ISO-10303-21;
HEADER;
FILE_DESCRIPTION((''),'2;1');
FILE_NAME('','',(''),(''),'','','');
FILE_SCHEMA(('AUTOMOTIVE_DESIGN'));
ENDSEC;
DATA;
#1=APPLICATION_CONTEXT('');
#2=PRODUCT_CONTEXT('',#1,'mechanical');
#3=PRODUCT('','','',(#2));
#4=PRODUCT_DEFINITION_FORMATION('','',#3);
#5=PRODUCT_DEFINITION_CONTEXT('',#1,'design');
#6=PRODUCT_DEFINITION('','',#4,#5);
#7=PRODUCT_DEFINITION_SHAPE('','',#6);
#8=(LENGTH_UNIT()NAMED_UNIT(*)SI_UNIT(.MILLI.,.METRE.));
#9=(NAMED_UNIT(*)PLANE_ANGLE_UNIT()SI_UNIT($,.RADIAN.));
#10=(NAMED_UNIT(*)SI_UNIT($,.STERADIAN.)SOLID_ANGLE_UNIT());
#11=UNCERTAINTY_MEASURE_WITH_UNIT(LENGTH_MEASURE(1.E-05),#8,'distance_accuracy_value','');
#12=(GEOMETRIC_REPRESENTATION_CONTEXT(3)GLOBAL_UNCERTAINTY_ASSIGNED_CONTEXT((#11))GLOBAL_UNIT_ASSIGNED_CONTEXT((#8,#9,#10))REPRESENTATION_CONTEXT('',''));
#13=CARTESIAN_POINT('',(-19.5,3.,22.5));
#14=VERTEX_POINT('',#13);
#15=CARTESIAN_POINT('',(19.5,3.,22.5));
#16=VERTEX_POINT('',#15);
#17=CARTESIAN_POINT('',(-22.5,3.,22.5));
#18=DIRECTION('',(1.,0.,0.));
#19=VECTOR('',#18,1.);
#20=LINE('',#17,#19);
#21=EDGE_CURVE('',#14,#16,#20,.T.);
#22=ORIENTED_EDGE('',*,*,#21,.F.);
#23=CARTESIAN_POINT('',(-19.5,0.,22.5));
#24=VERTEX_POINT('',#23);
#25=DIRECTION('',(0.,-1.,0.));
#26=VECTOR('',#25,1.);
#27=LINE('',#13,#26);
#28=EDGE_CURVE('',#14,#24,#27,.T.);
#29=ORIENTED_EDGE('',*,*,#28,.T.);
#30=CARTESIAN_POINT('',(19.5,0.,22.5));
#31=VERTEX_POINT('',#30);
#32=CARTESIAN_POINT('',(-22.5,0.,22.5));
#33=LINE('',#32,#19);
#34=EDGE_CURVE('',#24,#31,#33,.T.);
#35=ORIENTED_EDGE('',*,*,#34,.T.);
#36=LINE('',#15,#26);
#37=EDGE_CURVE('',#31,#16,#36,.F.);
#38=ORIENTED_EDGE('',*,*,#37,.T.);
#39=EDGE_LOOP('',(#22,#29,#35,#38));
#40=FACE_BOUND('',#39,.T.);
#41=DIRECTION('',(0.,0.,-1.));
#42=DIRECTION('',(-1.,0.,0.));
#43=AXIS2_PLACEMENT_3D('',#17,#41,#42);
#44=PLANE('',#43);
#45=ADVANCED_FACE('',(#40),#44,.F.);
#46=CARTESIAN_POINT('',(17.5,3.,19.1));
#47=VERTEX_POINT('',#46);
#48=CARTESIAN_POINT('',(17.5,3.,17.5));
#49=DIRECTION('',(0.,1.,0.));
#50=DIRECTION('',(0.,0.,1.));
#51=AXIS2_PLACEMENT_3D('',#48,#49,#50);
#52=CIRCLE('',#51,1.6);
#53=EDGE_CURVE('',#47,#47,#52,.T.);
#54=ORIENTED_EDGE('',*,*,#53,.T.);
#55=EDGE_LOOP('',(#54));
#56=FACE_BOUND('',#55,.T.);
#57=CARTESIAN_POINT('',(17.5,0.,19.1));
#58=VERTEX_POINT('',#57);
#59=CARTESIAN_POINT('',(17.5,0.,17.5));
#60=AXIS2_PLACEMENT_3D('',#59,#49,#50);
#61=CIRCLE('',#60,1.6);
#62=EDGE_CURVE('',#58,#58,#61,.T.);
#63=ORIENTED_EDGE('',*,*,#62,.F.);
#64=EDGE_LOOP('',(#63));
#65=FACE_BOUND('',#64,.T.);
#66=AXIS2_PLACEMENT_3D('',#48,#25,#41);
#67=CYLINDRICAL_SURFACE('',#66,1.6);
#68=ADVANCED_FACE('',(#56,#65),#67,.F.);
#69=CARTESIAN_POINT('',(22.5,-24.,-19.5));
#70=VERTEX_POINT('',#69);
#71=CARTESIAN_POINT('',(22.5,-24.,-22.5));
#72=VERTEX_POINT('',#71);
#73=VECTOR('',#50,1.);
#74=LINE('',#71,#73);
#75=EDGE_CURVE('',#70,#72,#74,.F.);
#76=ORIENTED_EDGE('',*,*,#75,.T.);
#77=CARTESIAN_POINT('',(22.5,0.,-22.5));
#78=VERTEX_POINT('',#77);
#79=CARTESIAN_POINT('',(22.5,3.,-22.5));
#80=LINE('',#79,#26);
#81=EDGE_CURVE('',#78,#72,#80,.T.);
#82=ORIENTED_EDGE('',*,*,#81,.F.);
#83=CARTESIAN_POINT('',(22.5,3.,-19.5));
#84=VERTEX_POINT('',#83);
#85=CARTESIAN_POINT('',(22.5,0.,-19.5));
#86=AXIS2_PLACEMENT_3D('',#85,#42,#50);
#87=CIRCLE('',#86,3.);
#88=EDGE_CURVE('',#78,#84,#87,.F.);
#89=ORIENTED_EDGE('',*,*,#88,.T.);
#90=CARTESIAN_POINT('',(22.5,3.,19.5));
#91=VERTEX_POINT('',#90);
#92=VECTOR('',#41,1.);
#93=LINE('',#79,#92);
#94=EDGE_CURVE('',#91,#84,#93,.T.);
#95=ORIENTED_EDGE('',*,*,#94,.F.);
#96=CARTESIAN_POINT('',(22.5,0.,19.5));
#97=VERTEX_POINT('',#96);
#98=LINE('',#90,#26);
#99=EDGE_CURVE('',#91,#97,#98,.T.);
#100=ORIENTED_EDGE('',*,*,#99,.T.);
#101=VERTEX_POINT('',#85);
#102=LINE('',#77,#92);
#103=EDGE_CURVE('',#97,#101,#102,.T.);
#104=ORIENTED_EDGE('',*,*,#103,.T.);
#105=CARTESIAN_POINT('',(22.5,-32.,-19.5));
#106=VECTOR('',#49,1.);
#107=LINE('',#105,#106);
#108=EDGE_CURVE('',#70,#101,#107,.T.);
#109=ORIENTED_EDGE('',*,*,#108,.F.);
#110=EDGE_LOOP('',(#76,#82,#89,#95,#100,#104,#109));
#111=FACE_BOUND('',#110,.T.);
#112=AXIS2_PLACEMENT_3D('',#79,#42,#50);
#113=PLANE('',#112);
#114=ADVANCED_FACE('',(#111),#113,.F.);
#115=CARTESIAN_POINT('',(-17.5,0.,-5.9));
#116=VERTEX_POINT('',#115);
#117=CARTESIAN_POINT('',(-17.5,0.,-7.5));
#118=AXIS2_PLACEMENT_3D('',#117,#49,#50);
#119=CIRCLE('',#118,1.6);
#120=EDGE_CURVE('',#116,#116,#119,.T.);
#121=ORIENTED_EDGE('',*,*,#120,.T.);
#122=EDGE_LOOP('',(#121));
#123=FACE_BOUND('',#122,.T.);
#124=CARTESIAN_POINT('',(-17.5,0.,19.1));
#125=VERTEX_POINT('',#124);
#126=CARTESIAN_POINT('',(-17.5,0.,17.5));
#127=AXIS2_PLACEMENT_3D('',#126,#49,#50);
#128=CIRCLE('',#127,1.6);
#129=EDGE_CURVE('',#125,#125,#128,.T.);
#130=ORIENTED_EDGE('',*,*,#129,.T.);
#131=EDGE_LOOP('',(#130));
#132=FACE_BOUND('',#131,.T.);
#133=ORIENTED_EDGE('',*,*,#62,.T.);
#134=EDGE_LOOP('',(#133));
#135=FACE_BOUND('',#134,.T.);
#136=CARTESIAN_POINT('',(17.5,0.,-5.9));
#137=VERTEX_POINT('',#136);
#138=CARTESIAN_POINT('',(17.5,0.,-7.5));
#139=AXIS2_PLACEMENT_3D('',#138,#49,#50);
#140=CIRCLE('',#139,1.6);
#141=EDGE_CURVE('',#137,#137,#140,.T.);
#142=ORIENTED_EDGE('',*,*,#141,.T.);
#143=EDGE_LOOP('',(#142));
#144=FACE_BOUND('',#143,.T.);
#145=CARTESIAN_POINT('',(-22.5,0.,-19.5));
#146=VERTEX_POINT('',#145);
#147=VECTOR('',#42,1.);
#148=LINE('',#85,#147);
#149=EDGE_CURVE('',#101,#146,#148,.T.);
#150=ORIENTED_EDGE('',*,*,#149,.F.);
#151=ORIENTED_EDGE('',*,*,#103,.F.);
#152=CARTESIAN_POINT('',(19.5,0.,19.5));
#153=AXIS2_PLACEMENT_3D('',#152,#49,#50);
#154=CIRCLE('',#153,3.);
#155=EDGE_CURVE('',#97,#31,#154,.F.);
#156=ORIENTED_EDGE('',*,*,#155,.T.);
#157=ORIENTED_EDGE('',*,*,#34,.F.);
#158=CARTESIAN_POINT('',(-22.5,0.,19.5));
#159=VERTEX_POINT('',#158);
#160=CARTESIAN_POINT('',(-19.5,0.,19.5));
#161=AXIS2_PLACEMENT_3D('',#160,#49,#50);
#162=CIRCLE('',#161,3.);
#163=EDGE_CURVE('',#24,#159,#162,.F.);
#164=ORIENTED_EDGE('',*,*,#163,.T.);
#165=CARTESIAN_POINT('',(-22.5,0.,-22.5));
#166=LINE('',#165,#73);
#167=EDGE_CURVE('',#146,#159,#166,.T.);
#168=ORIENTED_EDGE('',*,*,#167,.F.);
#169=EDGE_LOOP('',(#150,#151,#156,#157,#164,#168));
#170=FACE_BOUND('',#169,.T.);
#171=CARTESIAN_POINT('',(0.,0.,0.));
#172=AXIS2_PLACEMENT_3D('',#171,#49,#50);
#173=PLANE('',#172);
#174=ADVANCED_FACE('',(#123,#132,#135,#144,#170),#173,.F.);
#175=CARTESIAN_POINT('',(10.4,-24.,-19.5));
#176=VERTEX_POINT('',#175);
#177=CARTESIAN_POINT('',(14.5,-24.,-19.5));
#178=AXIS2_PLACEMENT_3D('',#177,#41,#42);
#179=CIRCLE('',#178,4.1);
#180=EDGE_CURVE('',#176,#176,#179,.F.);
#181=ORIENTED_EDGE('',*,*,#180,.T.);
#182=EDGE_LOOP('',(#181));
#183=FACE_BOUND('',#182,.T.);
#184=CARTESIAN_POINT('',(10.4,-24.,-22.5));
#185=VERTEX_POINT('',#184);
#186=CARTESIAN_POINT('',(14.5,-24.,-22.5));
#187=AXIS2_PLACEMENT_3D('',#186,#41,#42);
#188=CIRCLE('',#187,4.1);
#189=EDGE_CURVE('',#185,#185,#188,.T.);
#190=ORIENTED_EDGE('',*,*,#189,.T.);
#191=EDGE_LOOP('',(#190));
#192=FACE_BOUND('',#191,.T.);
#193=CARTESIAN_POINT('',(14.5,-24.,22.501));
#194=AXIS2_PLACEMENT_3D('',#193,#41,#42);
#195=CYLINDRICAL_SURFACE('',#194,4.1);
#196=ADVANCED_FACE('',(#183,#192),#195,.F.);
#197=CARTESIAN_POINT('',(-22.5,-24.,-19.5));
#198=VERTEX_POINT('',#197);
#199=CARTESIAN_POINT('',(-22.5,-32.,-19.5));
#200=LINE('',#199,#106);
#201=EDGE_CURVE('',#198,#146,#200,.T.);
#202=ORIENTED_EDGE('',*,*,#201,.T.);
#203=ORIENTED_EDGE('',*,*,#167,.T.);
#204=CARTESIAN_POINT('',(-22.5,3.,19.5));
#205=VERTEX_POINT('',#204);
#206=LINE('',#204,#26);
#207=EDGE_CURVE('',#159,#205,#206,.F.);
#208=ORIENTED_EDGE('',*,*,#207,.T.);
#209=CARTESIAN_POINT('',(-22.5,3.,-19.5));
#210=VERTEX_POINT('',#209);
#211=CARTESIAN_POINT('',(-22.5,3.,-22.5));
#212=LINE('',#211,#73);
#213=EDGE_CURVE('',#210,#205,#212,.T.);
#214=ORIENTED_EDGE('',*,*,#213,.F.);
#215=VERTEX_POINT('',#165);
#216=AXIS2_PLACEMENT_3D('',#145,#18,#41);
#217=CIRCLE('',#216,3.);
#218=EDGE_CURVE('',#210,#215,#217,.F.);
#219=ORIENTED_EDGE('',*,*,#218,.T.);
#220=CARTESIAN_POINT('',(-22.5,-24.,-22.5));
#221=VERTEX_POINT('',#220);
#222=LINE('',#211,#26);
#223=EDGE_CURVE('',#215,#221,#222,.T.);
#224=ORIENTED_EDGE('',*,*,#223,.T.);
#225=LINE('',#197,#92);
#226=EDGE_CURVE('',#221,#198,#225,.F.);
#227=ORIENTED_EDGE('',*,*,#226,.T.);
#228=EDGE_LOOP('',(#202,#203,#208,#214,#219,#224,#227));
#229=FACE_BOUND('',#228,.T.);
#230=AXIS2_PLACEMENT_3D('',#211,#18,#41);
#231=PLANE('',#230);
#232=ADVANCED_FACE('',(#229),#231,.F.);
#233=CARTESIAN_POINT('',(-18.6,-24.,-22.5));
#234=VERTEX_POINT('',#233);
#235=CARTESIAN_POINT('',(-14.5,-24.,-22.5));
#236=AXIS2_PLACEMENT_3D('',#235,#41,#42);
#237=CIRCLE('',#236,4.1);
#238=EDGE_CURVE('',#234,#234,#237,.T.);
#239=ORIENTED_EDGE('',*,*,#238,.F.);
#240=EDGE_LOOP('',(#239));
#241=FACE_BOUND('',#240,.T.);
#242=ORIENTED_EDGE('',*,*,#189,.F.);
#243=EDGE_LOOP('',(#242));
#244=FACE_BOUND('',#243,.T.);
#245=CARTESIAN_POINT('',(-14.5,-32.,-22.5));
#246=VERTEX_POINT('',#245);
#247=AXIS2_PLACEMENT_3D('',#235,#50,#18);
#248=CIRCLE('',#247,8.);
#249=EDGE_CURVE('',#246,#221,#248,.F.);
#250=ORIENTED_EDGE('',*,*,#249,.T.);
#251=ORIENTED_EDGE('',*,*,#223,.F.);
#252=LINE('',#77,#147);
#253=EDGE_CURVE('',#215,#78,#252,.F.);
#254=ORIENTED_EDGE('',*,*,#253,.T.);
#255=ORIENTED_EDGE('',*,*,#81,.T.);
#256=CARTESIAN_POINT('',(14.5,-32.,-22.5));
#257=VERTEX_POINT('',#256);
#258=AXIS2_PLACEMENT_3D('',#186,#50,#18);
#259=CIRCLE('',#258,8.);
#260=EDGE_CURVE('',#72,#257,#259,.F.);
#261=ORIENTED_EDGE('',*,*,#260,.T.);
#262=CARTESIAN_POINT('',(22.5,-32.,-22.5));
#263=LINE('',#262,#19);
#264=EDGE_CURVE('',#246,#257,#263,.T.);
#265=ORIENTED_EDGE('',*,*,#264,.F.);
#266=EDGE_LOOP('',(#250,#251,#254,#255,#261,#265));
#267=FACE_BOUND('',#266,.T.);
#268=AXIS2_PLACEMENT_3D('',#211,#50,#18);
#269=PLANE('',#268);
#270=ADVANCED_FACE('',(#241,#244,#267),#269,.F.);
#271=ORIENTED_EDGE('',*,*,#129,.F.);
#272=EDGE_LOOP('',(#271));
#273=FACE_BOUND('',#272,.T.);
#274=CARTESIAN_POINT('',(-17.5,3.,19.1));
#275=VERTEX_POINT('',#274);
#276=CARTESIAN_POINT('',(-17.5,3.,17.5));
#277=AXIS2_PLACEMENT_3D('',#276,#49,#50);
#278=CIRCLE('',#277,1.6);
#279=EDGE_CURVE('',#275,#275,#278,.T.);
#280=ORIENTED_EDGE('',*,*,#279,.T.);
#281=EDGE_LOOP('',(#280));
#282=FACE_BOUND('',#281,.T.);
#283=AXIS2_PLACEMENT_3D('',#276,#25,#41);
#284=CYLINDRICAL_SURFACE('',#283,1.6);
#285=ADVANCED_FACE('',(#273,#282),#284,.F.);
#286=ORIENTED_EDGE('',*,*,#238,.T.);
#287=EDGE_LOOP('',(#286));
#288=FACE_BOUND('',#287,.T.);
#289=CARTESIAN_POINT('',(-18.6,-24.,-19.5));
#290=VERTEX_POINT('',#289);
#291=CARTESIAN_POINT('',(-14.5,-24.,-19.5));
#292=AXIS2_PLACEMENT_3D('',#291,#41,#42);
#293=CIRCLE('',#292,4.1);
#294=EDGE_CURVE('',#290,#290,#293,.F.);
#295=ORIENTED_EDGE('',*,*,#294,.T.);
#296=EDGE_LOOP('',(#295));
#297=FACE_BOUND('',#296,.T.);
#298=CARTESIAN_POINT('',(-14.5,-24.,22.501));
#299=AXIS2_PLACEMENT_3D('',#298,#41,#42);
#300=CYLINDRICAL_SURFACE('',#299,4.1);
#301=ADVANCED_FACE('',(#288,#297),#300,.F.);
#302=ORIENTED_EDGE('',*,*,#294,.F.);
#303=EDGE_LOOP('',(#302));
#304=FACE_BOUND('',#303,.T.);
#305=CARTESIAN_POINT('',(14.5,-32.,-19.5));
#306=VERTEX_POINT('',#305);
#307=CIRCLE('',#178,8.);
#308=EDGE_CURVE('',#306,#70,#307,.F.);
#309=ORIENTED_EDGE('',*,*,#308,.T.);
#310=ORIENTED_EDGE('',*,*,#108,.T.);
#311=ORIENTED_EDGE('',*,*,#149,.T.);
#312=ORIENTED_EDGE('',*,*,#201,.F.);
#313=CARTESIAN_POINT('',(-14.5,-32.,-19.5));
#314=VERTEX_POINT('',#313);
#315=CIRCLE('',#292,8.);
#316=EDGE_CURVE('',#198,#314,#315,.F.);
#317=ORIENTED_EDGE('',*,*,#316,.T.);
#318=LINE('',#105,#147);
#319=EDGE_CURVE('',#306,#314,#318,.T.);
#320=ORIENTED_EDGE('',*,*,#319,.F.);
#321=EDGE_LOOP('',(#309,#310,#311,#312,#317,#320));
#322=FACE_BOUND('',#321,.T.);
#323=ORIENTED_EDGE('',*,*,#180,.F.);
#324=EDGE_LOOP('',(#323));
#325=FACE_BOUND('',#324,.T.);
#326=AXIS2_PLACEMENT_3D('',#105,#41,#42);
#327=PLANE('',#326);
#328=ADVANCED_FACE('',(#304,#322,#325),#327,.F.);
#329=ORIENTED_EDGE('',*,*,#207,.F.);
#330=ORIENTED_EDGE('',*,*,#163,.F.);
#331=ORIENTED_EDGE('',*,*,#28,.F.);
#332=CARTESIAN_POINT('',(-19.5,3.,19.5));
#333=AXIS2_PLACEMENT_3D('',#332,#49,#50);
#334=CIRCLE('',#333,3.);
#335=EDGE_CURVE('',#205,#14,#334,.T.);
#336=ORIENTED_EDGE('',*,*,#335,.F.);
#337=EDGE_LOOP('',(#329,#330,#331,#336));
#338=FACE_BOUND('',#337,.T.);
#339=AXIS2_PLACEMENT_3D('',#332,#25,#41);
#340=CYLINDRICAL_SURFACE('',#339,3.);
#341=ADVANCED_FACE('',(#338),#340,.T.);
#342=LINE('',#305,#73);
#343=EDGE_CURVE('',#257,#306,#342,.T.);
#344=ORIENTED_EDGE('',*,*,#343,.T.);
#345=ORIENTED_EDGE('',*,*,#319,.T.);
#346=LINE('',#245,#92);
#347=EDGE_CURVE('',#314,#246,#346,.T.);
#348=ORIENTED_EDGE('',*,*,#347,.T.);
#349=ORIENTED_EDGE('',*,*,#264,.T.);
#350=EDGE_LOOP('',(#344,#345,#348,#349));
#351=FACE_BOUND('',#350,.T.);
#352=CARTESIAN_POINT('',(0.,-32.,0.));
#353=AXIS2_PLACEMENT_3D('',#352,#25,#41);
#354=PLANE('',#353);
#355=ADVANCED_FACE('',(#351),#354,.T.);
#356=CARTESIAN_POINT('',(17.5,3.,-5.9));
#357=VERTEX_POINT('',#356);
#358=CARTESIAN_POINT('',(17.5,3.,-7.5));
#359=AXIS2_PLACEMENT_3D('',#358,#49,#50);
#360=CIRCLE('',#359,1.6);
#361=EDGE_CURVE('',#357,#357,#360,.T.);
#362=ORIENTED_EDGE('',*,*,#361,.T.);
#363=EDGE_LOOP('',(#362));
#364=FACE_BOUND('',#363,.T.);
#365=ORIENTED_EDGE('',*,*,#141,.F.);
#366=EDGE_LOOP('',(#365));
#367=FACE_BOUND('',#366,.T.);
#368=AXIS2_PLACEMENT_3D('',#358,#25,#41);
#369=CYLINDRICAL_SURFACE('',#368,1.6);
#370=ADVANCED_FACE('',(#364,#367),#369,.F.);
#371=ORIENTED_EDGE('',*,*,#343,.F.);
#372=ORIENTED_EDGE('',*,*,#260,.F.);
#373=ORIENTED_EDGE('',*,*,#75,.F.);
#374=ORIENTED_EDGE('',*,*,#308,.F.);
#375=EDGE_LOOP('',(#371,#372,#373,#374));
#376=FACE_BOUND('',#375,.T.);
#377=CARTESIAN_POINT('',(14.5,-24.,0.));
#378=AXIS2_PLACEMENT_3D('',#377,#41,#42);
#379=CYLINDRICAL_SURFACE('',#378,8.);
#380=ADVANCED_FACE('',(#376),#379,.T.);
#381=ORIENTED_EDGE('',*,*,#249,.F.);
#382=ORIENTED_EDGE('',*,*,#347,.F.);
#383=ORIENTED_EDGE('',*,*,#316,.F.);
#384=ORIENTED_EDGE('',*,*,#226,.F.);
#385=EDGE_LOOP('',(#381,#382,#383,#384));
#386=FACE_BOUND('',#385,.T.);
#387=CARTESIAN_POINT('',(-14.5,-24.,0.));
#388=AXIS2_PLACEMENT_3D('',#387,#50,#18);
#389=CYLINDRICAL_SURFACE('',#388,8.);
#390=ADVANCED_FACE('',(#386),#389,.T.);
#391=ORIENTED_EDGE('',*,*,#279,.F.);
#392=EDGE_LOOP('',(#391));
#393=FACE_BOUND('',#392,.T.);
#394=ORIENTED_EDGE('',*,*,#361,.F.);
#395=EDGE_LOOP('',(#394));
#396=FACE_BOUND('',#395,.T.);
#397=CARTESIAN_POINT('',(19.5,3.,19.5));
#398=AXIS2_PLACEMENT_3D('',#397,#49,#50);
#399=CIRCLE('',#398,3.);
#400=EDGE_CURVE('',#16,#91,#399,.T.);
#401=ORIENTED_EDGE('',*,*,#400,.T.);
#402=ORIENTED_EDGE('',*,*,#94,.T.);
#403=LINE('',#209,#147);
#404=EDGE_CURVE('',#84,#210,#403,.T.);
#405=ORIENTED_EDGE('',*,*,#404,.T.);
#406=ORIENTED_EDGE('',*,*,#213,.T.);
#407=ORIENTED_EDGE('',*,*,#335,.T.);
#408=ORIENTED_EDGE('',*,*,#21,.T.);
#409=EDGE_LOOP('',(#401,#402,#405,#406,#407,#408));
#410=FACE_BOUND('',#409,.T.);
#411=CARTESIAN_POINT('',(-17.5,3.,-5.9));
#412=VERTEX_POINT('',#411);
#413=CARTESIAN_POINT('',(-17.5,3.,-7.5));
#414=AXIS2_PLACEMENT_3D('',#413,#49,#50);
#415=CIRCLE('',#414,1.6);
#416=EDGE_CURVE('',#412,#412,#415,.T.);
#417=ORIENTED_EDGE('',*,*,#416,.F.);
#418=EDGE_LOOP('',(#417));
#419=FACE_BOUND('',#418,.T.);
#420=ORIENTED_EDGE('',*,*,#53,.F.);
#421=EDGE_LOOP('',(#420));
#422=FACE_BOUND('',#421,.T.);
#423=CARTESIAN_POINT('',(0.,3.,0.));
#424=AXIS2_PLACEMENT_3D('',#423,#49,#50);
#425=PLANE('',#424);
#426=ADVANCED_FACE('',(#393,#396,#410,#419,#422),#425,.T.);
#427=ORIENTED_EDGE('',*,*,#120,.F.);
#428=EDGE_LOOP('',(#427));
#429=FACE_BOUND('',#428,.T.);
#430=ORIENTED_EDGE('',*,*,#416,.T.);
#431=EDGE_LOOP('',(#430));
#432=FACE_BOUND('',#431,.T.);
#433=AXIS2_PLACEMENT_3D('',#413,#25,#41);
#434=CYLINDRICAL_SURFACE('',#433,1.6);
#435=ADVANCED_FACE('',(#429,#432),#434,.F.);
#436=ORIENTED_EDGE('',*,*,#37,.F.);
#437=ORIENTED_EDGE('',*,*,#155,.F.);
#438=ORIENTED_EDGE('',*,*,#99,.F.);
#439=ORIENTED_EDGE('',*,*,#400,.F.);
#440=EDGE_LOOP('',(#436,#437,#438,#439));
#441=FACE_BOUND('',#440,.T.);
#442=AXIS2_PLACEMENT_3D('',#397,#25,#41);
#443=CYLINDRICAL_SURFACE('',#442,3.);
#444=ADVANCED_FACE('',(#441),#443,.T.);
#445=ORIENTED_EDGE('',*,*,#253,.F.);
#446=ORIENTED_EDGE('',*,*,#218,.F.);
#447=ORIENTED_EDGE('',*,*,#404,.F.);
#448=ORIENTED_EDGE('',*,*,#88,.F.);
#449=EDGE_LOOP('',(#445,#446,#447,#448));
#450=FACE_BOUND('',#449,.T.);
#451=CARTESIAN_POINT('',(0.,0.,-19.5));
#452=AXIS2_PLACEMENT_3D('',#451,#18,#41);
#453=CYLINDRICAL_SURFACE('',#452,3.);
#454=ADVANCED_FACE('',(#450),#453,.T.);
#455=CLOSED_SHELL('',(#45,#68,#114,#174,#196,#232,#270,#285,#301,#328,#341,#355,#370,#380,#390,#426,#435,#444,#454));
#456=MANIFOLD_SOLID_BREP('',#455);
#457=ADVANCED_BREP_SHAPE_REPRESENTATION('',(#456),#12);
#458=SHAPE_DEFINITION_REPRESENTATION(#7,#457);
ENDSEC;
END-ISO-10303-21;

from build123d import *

# Parameters (mm, degrees)
SKETCH_1_W          = 45
SKETCH_1_H          = 45
SKETCH_1_R          = 1.6
EXTRUDE_1_DEPTH     = 3
SKETCH_2_W          = 45
SKETCH_2_H          = 3
EXTRUDE_2_DEPTH     = 32
CUT_EXTRUDE_1_REACH = 61.626
SKETCH_3_R          = 4.1
FILLET_1_R          = 3
FILLET_2_R          = 8


with BuildPart() as part:
    # 草图1 → 凸台-拉伸1 (new body)
    with BuildSketch(Plane(origin=(0, 0, 0), x_dir=(1, 0, 0), z_dir=(0, 1, 0))):
        Rectangle(SKETCH_1_W, SKETCH_1_H)
        with Locations(Location((-17.5, -17.5, 0), (0, 0, 270))):
            Circle(SKETCH_1_R, mode=Mode.SUBTRACT)
        with Locations(Location((17.5, -17.5, 0), (0, 0, 270))):
            Circle(SKETCH_1_R, mode=Mode.SUBTRACT)
        with Locations(Location((17.5, 7.5, 0), (0, 0, 270))):
            Circle(SKETCH_1_R, mode=Mode.SUBTRACT)
        with Locations(Location((-17.5, 7.5, 0), (0, 0, 270))):
            Circle(SKETCH_1_R, mode=Mode.SUBTRACT)
    extrude(amount=EXTRUDE_1_DEPTH)

    # 草图2 → 凸台-拉伸2 (add)
    with BuildSketch(Plane.XZ):
        with Locations((0, -21)):
            Rectangle(SKETCH_2_W, SKETCH_2_H)
    extrude(amount=EXTRUDE_2_DEPTH)

    # 草图3 → 切除-拉伸1 (cut, up to next)
    with BuildSketch(Plane(origin=(0, 0, -22.5), x_dir=(-1, 0, 0), z_dir=(0, 0, -1)), mode=Mode.PRIVATE) as cut_extrude_1_sk1:
        with Locations((-14.5, -24)):
            Circle(SKETCH_3_R)
    cut_extrude_1_tool1 = extrude(cut_extrude_1_sk1.sketch, amount=-CUT_EXTRUDE_1_REACH, mode=Mode.PRIVATE) & part.part
    # 草图3 → 切除-拉伸1 (cut, up to next)
    with BuildSketch(Plane(origin=(0, 0, -22.5), x_dir=(-1, 0, 0), z_dir=(0, 0, -1)), mode=Mode.PRIVATE) as cut_extrude_1_sk2:
        with Locations((14.5, -24)):
            Circle(SKETCH_3_R)
    cut_extrude_1_tool2 = extrude(cut_extrude_1_sk2.sketch, amount=-CUT_EXTRUDE_1_REACH, mode=Mode.PRIVATE) & part.part
    add(cut_extrude_1_tool1.solids().sort_by_distance((14.5, -24, -22.5))[0], mode=Mode.SUBTRACT)
    add(cut_extrude_1_tool2.solids().sort_by_distance((-14.5, -24, -22.5))[0], mode=Mode.SUBTRACT)

    # 圆角1
    fillet_1_edges = [part.edges().sort_by_distance(p)[0] for p in [
        (22.5, 1.5, 22.5),
        (-22.5, 1.5, 22.5),
        (0, 3, -22.5),
    ]]
    fillet(fillet_1_edges, radius=FILLET_1_R)

    # 圆角2
    fillet_2_edges = [part.edges().sort_by_distance(p)[0] for p in [
        (22.5, -32, -21),
        (-22.5, -32, -21),
    ]]
    fillet(fillet_2_edges, radius=FILLET_2_R)


solid = part.part
